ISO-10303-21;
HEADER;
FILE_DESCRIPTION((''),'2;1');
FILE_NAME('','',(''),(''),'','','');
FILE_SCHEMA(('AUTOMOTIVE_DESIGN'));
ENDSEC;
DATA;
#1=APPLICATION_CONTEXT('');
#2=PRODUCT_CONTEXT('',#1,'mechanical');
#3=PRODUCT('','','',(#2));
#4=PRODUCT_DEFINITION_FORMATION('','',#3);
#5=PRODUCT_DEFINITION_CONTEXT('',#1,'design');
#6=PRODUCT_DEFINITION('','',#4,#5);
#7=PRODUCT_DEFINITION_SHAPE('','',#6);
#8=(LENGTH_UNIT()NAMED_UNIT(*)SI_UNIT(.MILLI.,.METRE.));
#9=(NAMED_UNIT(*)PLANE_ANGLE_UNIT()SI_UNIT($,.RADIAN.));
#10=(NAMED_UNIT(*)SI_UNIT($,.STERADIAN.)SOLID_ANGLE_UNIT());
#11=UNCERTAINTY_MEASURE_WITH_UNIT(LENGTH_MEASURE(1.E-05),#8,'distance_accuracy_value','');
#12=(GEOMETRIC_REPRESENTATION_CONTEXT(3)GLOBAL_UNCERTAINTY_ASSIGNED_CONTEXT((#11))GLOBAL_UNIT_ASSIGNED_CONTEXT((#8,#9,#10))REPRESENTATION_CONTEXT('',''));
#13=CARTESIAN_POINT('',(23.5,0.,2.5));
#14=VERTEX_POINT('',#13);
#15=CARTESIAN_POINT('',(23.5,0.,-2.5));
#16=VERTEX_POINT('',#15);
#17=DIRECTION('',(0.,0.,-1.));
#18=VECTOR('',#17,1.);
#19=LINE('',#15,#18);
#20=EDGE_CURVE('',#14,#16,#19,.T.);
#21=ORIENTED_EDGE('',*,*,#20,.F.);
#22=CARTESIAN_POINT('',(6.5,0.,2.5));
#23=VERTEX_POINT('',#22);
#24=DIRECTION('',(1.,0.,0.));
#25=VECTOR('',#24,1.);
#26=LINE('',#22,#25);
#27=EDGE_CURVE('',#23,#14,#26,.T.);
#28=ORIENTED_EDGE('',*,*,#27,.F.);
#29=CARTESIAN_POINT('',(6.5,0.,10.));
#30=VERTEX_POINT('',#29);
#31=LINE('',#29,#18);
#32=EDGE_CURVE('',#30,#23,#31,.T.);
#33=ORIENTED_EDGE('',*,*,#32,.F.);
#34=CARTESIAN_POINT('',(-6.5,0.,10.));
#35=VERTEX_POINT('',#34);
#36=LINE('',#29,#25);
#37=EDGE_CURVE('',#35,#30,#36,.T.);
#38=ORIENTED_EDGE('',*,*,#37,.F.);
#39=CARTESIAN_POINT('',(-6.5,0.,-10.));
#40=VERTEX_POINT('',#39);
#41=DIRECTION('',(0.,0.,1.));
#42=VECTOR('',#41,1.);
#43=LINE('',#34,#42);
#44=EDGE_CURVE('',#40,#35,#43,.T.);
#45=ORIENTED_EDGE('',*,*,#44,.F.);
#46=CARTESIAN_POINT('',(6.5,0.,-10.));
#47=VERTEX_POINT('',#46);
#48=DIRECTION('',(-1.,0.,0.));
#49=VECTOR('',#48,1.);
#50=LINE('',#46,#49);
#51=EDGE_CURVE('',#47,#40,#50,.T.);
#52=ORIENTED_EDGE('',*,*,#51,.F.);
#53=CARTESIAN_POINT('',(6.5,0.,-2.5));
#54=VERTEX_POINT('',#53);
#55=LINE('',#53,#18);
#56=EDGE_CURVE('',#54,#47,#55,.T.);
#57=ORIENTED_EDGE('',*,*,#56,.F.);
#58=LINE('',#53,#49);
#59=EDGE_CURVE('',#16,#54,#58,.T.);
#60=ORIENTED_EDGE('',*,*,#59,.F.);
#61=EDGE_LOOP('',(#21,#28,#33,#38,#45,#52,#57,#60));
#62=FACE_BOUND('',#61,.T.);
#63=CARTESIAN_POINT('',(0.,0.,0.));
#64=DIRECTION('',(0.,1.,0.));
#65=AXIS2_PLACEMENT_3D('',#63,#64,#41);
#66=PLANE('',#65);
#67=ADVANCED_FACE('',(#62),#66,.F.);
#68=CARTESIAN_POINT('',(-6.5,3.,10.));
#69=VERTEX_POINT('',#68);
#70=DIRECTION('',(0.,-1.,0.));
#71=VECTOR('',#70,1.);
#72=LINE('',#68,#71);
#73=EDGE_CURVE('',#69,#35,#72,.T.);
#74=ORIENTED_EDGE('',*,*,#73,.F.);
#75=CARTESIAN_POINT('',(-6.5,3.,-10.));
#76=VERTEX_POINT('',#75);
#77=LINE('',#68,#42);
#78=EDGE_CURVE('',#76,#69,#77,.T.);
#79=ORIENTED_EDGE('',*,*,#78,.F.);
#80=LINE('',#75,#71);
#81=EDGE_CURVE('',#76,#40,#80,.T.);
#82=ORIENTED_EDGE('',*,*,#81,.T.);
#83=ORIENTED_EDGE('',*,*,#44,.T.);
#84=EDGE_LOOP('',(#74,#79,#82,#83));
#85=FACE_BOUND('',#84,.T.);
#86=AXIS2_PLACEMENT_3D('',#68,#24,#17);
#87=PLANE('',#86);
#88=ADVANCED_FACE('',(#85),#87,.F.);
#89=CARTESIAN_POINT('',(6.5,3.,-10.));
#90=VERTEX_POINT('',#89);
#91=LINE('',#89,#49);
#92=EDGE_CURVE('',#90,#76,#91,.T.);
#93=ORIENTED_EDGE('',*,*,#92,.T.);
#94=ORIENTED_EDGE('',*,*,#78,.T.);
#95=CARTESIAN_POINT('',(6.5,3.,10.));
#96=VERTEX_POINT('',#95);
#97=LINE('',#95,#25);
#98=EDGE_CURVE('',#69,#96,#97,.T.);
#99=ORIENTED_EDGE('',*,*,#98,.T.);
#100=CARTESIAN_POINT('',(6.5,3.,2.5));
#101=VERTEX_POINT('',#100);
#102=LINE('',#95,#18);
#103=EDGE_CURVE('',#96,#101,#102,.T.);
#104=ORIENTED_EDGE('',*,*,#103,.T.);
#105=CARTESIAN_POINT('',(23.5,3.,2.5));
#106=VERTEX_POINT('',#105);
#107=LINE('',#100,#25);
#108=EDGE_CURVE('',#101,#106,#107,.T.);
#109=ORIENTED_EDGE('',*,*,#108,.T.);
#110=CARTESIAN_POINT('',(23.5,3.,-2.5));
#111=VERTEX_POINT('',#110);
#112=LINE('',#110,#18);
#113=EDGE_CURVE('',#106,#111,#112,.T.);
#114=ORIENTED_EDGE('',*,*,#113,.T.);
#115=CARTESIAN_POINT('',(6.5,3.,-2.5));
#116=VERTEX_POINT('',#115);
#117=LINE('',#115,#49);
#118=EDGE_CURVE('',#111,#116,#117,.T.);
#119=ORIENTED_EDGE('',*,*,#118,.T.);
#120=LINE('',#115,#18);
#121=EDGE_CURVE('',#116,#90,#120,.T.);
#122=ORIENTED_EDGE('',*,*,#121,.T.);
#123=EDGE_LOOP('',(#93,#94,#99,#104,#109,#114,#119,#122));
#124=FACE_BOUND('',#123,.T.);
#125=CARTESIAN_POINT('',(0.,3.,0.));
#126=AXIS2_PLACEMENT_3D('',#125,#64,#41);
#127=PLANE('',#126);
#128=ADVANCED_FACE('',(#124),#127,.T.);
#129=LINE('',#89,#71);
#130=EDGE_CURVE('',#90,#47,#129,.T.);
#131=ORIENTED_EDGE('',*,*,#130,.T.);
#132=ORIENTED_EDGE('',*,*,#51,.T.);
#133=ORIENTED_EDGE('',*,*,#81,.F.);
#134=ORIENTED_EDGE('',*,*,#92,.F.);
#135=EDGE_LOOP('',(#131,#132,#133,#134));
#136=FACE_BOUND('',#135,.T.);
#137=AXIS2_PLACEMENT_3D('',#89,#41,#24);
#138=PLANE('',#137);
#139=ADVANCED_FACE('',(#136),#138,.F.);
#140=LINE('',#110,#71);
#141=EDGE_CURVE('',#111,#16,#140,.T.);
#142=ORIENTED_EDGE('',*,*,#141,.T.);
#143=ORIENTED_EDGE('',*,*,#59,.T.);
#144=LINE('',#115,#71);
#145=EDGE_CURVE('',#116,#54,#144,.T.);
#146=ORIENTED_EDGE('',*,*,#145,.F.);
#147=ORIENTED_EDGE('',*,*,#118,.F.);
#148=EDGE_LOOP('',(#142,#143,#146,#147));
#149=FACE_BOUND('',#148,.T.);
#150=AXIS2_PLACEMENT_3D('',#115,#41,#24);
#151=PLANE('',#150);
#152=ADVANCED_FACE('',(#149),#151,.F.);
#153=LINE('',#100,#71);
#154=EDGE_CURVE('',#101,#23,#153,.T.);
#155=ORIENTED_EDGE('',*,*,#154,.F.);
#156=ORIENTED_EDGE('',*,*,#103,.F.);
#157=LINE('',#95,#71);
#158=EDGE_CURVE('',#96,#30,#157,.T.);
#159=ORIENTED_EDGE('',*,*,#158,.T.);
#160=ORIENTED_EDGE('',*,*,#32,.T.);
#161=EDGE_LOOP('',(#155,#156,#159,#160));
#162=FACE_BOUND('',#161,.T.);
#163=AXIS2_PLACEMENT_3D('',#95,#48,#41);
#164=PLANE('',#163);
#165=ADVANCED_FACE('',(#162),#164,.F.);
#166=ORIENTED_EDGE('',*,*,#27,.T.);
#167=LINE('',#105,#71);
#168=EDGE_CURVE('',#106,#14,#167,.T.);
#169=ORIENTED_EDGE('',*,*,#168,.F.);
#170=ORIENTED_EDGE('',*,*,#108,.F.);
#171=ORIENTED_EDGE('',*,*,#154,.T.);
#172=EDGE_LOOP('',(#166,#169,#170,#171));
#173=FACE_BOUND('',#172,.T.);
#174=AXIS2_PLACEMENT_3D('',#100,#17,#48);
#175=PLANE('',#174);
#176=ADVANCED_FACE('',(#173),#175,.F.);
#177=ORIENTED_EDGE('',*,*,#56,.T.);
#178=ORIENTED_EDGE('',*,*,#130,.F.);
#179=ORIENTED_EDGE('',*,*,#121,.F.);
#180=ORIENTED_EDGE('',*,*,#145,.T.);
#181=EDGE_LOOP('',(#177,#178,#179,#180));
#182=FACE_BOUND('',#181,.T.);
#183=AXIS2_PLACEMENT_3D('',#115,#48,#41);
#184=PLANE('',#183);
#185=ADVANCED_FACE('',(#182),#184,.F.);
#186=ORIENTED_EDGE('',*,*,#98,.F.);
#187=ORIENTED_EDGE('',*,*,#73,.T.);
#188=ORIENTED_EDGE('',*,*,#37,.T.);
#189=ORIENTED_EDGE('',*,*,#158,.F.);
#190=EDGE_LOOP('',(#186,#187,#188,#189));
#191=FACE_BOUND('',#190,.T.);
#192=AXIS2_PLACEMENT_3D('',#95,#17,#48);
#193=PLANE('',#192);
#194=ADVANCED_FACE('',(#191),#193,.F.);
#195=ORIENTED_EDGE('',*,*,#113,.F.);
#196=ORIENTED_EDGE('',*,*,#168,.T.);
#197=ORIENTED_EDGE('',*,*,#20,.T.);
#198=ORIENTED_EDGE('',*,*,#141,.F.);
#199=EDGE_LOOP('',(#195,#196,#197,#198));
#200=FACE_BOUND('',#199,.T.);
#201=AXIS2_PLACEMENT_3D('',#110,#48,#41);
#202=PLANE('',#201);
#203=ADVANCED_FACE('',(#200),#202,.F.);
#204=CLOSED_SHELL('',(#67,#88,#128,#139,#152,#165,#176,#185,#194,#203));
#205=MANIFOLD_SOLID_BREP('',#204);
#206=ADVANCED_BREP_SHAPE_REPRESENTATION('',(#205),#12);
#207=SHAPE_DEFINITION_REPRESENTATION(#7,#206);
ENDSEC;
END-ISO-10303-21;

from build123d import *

# Parameters (mm, degrees)
BOSS_EXTRUDE1_DEPTH = 3


with BuildPart() as part:
    # Sketch1 → Boss-Extrude1 (new body)
    with BuildSketch(Plane(origin=(0, 0, 0), x_dir=(1, 0, 0), z_dir=(0, 1, 0))):
        Polygon((6.5, -10), (-6.5, -10), (-6.5, 10), (6.5, 10), (6.5, 2.5), (23.5, 2.5), (23.5, -2.5), (6.5, -2.5), align=None)
    extrude(amount=BOSS_EXTRUDE1_DEPTH)


solid = part.part
